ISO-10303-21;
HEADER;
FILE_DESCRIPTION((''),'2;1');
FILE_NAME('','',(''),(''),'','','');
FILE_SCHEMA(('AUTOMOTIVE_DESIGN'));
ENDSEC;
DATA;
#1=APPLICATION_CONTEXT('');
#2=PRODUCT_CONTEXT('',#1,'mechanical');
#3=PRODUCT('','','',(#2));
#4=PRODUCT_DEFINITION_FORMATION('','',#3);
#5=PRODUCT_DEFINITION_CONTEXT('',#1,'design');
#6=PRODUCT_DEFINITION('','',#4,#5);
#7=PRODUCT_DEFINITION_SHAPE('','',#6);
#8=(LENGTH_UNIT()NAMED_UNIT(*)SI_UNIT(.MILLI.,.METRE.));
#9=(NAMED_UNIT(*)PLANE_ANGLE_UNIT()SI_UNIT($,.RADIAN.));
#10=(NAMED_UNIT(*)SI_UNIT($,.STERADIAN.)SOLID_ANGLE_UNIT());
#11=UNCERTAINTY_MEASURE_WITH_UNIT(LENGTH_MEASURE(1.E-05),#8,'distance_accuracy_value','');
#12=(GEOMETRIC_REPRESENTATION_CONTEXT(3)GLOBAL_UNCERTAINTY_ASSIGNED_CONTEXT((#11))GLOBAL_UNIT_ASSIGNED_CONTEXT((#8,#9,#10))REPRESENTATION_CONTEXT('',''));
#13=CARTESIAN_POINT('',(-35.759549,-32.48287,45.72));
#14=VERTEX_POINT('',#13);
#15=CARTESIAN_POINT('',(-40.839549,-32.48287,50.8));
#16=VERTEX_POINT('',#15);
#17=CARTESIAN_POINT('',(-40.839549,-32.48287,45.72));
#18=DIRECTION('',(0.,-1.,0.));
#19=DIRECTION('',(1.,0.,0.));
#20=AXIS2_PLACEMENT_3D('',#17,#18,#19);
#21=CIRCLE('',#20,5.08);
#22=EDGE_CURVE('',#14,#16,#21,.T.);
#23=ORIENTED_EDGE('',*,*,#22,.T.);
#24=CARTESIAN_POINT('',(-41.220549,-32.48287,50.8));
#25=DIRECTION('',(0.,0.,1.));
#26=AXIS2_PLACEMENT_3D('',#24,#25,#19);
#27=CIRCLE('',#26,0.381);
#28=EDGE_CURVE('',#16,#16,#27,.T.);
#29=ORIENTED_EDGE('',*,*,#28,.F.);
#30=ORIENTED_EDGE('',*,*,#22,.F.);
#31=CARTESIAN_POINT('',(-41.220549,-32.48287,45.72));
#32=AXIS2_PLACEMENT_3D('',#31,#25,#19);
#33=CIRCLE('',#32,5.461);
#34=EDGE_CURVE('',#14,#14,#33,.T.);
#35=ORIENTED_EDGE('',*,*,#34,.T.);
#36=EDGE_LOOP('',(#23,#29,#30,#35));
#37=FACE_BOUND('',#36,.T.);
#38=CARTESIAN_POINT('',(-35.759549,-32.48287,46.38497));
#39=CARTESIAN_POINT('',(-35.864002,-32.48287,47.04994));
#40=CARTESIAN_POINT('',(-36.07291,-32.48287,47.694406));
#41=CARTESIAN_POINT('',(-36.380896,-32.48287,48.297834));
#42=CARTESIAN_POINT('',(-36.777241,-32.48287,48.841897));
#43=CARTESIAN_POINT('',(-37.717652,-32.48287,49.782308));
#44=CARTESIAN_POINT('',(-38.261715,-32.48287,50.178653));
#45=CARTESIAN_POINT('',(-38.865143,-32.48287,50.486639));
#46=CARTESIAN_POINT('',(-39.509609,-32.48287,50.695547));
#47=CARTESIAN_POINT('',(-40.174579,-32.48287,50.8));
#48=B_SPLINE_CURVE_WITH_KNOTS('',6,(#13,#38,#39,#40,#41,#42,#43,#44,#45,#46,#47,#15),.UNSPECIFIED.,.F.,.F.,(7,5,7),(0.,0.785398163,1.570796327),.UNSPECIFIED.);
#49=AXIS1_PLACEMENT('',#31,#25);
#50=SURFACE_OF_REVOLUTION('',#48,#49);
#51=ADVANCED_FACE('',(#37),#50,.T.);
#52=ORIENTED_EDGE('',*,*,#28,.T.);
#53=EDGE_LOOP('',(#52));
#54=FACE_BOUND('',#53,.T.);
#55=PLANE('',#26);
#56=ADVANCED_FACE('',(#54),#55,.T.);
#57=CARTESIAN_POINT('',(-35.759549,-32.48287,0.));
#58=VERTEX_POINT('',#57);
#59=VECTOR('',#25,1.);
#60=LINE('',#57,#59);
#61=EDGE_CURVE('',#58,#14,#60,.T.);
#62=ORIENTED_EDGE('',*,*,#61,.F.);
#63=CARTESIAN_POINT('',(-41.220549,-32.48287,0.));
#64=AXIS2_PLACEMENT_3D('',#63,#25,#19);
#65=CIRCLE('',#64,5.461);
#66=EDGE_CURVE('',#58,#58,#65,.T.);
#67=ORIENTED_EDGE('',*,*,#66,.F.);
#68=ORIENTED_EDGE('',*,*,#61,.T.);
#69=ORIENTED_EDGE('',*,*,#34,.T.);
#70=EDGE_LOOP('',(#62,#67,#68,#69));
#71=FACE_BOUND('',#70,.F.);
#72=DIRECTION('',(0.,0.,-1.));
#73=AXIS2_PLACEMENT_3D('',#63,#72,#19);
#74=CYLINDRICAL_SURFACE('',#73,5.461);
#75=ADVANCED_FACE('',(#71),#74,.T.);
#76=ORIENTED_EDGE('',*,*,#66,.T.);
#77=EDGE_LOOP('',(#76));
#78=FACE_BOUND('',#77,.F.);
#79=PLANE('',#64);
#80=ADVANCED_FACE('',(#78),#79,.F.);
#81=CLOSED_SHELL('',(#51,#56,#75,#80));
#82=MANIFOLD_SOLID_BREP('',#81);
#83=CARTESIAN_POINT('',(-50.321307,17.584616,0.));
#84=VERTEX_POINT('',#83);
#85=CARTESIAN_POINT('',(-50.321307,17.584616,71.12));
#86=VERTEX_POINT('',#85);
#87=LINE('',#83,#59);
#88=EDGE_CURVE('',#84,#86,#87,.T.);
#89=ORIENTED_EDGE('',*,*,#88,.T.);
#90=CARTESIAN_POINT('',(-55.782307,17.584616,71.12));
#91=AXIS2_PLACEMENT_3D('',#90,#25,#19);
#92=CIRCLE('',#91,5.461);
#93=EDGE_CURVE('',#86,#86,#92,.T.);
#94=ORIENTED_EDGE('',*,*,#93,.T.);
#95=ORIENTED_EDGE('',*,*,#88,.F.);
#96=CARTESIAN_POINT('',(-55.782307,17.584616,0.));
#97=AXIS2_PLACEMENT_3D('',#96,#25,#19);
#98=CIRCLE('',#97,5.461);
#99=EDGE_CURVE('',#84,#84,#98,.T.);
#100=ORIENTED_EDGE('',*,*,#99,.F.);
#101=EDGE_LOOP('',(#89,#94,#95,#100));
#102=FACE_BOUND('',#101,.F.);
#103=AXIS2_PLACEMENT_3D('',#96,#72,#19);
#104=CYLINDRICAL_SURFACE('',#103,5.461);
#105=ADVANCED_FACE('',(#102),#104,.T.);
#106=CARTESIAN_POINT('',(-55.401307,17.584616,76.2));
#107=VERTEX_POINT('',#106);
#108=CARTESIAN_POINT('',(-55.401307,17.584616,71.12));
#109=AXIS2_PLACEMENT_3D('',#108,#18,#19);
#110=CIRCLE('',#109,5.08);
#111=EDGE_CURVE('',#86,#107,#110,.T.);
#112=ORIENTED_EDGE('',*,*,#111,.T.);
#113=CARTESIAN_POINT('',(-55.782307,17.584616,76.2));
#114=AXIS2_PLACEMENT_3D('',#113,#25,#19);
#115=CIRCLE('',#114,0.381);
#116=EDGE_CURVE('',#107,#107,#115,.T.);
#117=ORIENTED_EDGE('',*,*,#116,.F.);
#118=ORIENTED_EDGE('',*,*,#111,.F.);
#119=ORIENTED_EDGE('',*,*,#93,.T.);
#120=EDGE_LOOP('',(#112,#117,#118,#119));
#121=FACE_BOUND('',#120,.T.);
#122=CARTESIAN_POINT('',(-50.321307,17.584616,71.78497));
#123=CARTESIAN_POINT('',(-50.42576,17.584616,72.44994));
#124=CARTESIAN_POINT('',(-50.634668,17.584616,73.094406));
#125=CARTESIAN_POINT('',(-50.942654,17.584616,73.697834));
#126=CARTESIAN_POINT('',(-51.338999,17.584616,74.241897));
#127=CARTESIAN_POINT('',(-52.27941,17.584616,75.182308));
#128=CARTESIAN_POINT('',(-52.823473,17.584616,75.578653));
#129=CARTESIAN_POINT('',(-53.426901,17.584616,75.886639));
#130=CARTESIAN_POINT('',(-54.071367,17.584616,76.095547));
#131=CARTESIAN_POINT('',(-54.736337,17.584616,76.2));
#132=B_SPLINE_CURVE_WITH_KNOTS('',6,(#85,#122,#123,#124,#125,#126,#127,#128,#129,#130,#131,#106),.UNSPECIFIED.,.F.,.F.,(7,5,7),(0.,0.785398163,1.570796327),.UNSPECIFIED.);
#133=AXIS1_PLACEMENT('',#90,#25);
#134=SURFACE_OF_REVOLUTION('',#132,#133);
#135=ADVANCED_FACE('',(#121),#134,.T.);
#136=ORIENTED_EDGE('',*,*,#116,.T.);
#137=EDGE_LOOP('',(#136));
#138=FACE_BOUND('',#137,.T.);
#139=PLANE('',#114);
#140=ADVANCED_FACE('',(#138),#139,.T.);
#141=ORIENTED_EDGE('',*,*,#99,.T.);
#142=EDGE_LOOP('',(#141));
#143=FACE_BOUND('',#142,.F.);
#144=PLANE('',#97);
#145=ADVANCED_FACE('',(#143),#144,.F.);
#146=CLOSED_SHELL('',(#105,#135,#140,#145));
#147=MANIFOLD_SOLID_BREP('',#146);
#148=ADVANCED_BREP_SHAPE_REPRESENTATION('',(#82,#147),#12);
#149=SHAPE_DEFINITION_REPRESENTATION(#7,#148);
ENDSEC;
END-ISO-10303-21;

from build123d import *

# Parameters (mm, degrees)
F0_R     = 5.461
F1_DEPTH = 76.2
F2_R     = 5.461
F3_DEPTH = 50.8
F4_R     = 5.08
F4_2_R   = 5.08


with BuildPart() as f1:
    # F0 (on Top) → F1 (new body)
    with BuildSketch(Plane.XY):
        with Locations((-55.782307, 17.584616)):
            Circle(F0_R)
    extrude(amount=F1_DEPTH)

    # F4
    f4_edges = [f1.edges().sort_by_distance(p)[0] for p in [
        (-61.243307, 17.584616, 76.2),
    ]]
    fillet(f4_edges, radius=F4_R)


with BuildPart() as f3:
    # F2 (on Top) → F3 (new body)
    with BuildSketch(Plane.XY):
        with Locations((-41.220549, -32.48287)):
            Circle(F2_R)
    extrude(amount=F3_DEPTH)

    # F4#2
    f4_2_edges = [f3.edges().sort_by_distance(p)[0] for p in [
        (-46.681549, -32.48287, 50.8),
    ]]
    fillet(f4_2_edges, radius=F4_2_R)


solid = Compound([f1.part, f3.part])
